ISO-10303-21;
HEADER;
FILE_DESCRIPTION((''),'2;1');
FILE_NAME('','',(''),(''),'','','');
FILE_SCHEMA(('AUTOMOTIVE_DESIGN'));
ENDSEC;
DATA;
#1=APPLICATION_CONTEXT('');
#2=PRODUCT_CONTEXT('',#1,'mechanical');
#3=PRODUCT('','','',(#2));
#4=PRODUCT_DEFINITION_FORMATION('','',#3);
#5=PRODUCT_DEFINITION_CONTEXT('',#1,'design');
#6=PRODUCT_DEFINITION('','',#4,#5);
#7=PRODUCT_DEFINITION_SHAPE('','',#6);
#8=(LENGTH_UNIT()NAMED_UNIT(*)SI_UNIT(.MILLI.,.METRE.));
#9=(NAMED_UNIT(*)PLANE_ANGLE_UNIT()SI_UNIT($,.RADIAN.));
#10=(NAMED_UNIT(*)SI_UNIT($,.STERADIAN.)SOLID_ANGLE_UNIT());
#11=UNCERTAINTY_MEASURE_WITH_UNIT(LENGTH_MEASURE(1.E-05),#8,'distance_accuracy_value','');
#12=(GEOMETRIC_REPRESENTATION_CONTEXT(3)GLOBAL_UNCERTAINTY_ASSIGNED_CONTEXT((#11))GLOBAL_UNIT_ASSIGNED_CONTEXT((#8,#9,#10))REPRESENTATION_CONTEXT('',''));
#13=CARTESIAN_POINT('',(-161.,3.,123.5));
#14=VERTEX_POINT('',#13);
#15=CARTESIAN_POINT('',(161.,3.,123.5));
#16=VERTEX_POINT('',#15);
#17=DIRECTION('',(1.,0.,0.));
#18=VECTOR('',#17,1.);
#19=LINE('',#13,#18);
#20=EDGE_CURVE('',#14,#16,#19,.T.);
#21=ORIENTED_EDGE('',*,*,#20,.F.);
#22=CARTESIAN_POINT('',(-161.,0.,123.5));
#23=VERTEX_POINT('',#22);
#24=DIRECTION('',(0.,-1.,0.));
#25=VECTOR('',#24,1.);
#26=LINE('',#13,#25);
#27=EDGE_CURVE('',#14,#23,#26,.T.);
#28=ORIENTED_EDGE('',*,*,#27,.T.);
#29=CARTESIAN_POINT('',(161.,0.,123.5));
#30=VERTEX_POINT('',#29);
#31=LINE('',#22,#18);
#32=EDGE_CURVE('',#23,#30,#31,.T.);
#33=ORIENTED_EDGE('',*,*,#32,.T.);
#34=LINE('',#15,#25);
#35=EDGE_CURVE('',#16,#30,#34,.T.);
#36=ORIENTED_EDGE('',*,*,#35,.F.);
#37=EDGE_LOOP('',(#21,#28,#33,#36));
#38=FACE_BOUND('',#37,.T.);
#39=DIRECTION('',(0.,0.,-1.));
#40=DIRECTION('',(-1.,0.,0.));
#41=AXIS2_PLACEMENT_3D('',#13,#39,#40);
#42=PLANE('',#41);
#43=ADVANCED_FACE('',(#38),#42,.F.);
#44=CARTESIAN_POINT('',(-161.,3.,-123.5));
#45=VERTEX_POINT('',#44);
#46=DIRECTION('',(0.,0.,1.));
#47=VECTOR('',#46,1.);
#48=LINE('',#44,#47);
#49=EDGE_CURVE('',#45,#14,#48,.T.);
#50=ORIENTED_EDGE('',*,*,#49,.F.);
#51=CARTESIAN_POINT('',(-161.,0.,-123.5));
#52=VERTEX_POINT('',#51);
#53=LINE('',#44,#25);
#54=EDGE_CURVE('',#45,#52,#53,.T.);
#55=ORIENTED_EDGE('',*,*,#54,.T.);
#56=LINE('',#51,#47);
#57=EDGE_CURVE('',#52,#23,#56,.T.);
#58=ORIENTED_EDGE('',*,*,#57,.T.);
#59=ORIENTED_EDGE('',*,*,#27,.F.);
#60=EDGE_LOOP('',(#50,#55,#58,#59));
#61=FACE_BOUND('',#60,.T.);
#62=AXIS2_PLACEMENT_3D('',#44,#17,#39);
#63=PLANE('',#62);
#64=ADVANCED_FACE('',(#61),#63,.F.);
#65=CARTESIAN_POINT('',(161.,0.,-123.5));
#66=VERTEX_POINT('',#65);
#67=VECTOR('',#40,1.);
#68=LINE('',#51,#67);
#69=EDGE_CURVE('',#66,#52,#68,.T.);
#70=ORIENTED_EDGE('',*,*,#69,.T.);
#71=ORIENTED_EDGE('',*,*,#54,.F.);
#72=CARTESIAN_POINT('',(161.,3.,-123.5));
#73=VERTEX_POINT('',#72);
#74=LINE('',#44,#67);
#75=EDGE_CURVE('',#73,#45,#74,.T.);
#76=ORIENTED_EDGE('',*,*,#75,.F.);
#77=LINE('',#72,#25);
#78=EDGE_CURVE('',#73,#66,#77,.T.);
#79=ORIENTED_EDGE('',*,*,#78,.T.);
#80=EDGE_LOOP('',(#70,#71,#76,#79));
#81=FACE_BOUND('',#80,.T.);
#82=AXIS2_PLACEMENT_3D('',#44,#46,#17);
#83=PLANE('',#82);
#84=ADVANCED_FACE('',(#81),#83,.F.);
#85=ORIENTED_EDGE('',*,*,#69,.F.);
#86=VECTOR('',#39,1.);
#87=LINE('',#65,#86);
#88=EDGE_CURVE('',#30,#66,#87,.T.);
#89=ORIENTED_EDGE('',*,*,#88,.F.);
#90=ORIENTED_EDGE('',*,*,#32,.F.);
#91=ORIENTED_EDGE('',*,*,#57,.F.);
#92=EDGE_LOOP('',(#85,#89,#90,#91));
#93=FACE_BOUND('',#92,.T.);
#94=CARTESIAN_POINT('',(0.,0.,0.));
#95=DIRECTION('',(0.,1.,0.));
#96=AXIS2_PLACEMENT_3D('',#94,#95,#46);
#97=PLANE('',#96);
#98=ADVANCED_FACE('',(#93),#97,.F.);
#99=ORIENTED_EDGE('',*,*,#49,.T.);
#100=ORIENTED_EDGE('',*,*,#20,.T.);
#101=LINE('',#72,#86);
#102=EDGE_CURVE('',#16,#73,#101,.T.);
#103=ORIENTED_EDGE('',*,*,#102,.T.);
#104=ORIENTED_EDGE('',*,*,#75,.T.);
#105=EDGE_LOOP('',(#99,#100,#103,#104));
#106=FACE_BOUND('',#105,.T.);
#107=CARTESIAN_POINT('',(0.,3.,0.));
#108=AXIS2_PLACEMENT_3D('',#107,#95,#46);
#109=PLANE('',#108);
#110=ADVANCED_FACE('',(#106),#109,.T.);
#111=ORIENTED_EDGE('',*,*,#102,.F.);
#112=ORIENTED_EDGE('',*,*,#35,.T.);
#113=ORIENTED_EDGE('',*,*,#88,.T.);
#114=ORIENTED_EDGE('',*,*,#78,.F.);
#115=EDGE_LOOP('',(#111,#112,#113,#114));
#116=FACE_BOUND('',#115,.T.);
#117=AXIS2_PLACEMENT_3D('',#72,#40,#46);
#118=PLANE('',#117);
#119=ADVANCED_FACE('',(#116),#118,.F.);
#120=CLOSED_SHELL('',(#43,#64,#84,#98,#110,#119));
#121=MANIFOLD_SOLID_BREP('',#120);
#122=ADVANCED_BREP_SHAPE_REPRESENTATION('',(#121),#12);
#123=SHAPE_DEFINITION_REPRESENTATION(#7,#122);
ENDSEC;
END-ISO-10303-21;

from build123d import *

# Parameters (mm, degrees)
CROQUIS1_W              = 322
CROQUIS1_H              = 247
SALIENTE_EXTRUIR1_DEPTH = 3


with BuildPart() as part:
    # Croquis1 → Saliente-Extruir1 (new body)
    with BuildSketch(Plane(origin=(0, 0, 0), x_dir=(1, 0, 0), z_dir=(0, 1, 0))):
        Rectangle(CROQUIS1_W, CROQUIS1_H)
    extrude(amount=SALIENTE_EXTRUIR1_DEPTH)


solid = part.part
